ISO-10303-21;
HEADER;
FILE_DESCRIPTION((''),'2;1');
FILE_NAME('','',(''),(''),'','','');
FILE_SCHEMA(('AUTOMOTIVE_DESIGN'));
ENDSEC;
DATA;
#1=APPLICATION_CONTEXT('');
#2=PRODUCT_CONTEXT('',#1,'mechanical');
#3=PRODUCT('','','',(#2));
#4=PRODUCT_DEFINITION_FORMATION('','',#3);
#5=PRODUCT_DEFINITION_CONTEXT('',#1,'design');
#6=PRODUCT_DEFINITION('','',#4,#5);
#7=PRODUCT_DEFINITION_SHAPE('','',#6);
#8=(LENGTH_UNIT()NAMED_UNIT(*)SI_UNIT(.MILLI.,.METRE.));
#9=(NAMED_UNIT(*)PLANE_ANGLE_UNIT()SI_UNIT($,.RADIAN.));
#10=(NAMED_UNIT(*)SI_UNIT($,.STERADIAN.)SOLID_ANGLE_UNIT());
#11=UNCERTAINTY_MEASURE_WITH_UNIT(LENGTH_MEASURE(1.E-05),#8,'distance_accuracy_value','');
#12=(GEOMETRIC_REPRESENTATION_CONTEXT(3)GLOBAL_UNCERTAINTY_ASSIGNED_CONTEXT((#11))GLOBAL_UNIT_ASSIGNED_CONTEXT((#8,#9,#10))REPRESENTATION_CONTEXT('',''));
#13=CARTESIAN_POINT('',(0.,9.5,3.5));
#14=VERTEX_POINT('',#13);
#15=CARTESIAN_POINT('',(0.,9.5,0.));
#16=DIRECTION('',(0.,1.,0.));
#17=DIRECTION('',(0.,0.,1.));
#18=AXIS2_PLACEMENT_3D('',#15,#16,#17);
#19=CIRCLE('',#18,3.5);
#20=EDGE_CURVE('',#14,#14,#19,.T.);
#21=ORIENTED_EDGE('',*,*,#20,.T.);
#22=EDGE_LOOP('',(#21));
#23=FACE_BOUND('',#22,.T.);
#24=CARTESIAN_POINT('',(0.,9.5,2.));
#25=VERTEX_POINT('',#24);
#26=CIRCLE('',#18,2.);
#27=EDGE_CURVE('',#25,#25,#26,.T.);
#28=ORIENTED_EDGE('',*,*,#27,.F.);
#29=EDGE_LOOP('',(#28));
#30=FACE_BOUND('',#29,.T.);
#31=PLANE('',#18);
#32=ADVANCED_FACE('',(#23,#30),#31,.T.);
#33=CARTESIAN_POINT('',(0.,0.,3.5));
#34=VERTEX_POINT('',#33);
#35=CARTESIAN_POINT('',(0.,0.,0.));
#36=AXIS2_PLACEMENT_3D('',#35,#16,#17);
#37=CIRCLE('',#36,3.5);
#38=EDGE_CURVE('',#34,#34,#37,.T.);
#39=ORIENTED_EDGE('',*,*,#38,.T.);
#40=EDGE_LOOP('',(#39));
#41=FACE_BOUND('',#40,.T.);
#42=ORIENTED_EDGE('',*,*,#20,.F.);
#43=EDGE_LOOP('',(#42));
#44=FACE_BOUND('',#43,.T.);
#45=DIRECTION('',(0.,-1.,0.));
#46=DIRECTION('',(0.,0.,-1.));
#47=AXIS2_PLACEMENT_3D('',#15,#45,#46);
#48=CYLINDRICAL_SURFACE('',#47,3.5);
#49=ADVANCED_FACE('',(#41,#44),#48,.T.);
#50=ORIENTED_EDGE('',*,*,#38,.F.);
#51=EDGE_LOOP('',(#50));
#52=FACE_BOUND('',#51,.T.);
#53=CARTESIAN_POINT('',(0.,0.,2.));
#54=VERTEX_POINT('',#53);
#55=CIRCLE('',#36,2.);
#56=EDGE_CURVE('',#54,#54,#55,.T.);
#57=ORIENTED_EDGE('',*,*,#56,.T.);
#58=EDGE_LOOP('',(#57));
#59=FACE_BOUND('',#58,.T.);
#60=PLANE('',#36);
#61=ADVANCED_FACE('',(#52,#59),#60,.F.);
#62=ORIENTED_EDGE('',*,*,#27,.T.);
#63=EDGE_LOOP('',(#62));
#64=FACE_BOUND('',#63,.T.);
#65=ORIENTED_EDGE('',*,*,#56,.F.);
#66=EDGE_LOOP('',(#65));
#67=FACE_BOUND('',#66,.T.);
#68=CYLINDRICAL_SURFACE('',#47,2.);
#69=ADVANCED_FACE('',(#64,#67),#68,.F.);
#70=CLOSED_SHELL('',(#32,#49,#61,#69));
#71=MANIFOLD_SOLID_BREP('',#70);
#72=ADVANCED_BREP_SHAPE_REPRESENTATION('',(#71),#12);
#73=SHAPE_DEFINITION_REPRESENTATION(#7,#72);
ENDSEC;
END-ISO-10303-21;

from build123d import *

# Parameters (mm, degrees)
SKETCH1_R           = 3.5
SKETCH1_R_2         = 2
BOSS_EXTRUDE1_DEPTH = 9.5


with BuildPart() as part:
    # Sketch1 → Boss-Extrude1 (new body)
    with BuildSketch(Plane(origin=(0, 0, 0), x_dir=(1, 0, 0), z_dir=(0, 1, 0))):
        with Locations(Location((0, 0, 0), (0, 0, 270))):
            Circle(SKETCH1_R)
        with Locations(Location((0, 0, 0), (0, 0, 270))):
            Circle(SKETCH1_R_2, mode=Mode.SUBTRACT)
    extrude(amount=BOSS_EXTRUDE1_DEPTH)


solid = part.part
